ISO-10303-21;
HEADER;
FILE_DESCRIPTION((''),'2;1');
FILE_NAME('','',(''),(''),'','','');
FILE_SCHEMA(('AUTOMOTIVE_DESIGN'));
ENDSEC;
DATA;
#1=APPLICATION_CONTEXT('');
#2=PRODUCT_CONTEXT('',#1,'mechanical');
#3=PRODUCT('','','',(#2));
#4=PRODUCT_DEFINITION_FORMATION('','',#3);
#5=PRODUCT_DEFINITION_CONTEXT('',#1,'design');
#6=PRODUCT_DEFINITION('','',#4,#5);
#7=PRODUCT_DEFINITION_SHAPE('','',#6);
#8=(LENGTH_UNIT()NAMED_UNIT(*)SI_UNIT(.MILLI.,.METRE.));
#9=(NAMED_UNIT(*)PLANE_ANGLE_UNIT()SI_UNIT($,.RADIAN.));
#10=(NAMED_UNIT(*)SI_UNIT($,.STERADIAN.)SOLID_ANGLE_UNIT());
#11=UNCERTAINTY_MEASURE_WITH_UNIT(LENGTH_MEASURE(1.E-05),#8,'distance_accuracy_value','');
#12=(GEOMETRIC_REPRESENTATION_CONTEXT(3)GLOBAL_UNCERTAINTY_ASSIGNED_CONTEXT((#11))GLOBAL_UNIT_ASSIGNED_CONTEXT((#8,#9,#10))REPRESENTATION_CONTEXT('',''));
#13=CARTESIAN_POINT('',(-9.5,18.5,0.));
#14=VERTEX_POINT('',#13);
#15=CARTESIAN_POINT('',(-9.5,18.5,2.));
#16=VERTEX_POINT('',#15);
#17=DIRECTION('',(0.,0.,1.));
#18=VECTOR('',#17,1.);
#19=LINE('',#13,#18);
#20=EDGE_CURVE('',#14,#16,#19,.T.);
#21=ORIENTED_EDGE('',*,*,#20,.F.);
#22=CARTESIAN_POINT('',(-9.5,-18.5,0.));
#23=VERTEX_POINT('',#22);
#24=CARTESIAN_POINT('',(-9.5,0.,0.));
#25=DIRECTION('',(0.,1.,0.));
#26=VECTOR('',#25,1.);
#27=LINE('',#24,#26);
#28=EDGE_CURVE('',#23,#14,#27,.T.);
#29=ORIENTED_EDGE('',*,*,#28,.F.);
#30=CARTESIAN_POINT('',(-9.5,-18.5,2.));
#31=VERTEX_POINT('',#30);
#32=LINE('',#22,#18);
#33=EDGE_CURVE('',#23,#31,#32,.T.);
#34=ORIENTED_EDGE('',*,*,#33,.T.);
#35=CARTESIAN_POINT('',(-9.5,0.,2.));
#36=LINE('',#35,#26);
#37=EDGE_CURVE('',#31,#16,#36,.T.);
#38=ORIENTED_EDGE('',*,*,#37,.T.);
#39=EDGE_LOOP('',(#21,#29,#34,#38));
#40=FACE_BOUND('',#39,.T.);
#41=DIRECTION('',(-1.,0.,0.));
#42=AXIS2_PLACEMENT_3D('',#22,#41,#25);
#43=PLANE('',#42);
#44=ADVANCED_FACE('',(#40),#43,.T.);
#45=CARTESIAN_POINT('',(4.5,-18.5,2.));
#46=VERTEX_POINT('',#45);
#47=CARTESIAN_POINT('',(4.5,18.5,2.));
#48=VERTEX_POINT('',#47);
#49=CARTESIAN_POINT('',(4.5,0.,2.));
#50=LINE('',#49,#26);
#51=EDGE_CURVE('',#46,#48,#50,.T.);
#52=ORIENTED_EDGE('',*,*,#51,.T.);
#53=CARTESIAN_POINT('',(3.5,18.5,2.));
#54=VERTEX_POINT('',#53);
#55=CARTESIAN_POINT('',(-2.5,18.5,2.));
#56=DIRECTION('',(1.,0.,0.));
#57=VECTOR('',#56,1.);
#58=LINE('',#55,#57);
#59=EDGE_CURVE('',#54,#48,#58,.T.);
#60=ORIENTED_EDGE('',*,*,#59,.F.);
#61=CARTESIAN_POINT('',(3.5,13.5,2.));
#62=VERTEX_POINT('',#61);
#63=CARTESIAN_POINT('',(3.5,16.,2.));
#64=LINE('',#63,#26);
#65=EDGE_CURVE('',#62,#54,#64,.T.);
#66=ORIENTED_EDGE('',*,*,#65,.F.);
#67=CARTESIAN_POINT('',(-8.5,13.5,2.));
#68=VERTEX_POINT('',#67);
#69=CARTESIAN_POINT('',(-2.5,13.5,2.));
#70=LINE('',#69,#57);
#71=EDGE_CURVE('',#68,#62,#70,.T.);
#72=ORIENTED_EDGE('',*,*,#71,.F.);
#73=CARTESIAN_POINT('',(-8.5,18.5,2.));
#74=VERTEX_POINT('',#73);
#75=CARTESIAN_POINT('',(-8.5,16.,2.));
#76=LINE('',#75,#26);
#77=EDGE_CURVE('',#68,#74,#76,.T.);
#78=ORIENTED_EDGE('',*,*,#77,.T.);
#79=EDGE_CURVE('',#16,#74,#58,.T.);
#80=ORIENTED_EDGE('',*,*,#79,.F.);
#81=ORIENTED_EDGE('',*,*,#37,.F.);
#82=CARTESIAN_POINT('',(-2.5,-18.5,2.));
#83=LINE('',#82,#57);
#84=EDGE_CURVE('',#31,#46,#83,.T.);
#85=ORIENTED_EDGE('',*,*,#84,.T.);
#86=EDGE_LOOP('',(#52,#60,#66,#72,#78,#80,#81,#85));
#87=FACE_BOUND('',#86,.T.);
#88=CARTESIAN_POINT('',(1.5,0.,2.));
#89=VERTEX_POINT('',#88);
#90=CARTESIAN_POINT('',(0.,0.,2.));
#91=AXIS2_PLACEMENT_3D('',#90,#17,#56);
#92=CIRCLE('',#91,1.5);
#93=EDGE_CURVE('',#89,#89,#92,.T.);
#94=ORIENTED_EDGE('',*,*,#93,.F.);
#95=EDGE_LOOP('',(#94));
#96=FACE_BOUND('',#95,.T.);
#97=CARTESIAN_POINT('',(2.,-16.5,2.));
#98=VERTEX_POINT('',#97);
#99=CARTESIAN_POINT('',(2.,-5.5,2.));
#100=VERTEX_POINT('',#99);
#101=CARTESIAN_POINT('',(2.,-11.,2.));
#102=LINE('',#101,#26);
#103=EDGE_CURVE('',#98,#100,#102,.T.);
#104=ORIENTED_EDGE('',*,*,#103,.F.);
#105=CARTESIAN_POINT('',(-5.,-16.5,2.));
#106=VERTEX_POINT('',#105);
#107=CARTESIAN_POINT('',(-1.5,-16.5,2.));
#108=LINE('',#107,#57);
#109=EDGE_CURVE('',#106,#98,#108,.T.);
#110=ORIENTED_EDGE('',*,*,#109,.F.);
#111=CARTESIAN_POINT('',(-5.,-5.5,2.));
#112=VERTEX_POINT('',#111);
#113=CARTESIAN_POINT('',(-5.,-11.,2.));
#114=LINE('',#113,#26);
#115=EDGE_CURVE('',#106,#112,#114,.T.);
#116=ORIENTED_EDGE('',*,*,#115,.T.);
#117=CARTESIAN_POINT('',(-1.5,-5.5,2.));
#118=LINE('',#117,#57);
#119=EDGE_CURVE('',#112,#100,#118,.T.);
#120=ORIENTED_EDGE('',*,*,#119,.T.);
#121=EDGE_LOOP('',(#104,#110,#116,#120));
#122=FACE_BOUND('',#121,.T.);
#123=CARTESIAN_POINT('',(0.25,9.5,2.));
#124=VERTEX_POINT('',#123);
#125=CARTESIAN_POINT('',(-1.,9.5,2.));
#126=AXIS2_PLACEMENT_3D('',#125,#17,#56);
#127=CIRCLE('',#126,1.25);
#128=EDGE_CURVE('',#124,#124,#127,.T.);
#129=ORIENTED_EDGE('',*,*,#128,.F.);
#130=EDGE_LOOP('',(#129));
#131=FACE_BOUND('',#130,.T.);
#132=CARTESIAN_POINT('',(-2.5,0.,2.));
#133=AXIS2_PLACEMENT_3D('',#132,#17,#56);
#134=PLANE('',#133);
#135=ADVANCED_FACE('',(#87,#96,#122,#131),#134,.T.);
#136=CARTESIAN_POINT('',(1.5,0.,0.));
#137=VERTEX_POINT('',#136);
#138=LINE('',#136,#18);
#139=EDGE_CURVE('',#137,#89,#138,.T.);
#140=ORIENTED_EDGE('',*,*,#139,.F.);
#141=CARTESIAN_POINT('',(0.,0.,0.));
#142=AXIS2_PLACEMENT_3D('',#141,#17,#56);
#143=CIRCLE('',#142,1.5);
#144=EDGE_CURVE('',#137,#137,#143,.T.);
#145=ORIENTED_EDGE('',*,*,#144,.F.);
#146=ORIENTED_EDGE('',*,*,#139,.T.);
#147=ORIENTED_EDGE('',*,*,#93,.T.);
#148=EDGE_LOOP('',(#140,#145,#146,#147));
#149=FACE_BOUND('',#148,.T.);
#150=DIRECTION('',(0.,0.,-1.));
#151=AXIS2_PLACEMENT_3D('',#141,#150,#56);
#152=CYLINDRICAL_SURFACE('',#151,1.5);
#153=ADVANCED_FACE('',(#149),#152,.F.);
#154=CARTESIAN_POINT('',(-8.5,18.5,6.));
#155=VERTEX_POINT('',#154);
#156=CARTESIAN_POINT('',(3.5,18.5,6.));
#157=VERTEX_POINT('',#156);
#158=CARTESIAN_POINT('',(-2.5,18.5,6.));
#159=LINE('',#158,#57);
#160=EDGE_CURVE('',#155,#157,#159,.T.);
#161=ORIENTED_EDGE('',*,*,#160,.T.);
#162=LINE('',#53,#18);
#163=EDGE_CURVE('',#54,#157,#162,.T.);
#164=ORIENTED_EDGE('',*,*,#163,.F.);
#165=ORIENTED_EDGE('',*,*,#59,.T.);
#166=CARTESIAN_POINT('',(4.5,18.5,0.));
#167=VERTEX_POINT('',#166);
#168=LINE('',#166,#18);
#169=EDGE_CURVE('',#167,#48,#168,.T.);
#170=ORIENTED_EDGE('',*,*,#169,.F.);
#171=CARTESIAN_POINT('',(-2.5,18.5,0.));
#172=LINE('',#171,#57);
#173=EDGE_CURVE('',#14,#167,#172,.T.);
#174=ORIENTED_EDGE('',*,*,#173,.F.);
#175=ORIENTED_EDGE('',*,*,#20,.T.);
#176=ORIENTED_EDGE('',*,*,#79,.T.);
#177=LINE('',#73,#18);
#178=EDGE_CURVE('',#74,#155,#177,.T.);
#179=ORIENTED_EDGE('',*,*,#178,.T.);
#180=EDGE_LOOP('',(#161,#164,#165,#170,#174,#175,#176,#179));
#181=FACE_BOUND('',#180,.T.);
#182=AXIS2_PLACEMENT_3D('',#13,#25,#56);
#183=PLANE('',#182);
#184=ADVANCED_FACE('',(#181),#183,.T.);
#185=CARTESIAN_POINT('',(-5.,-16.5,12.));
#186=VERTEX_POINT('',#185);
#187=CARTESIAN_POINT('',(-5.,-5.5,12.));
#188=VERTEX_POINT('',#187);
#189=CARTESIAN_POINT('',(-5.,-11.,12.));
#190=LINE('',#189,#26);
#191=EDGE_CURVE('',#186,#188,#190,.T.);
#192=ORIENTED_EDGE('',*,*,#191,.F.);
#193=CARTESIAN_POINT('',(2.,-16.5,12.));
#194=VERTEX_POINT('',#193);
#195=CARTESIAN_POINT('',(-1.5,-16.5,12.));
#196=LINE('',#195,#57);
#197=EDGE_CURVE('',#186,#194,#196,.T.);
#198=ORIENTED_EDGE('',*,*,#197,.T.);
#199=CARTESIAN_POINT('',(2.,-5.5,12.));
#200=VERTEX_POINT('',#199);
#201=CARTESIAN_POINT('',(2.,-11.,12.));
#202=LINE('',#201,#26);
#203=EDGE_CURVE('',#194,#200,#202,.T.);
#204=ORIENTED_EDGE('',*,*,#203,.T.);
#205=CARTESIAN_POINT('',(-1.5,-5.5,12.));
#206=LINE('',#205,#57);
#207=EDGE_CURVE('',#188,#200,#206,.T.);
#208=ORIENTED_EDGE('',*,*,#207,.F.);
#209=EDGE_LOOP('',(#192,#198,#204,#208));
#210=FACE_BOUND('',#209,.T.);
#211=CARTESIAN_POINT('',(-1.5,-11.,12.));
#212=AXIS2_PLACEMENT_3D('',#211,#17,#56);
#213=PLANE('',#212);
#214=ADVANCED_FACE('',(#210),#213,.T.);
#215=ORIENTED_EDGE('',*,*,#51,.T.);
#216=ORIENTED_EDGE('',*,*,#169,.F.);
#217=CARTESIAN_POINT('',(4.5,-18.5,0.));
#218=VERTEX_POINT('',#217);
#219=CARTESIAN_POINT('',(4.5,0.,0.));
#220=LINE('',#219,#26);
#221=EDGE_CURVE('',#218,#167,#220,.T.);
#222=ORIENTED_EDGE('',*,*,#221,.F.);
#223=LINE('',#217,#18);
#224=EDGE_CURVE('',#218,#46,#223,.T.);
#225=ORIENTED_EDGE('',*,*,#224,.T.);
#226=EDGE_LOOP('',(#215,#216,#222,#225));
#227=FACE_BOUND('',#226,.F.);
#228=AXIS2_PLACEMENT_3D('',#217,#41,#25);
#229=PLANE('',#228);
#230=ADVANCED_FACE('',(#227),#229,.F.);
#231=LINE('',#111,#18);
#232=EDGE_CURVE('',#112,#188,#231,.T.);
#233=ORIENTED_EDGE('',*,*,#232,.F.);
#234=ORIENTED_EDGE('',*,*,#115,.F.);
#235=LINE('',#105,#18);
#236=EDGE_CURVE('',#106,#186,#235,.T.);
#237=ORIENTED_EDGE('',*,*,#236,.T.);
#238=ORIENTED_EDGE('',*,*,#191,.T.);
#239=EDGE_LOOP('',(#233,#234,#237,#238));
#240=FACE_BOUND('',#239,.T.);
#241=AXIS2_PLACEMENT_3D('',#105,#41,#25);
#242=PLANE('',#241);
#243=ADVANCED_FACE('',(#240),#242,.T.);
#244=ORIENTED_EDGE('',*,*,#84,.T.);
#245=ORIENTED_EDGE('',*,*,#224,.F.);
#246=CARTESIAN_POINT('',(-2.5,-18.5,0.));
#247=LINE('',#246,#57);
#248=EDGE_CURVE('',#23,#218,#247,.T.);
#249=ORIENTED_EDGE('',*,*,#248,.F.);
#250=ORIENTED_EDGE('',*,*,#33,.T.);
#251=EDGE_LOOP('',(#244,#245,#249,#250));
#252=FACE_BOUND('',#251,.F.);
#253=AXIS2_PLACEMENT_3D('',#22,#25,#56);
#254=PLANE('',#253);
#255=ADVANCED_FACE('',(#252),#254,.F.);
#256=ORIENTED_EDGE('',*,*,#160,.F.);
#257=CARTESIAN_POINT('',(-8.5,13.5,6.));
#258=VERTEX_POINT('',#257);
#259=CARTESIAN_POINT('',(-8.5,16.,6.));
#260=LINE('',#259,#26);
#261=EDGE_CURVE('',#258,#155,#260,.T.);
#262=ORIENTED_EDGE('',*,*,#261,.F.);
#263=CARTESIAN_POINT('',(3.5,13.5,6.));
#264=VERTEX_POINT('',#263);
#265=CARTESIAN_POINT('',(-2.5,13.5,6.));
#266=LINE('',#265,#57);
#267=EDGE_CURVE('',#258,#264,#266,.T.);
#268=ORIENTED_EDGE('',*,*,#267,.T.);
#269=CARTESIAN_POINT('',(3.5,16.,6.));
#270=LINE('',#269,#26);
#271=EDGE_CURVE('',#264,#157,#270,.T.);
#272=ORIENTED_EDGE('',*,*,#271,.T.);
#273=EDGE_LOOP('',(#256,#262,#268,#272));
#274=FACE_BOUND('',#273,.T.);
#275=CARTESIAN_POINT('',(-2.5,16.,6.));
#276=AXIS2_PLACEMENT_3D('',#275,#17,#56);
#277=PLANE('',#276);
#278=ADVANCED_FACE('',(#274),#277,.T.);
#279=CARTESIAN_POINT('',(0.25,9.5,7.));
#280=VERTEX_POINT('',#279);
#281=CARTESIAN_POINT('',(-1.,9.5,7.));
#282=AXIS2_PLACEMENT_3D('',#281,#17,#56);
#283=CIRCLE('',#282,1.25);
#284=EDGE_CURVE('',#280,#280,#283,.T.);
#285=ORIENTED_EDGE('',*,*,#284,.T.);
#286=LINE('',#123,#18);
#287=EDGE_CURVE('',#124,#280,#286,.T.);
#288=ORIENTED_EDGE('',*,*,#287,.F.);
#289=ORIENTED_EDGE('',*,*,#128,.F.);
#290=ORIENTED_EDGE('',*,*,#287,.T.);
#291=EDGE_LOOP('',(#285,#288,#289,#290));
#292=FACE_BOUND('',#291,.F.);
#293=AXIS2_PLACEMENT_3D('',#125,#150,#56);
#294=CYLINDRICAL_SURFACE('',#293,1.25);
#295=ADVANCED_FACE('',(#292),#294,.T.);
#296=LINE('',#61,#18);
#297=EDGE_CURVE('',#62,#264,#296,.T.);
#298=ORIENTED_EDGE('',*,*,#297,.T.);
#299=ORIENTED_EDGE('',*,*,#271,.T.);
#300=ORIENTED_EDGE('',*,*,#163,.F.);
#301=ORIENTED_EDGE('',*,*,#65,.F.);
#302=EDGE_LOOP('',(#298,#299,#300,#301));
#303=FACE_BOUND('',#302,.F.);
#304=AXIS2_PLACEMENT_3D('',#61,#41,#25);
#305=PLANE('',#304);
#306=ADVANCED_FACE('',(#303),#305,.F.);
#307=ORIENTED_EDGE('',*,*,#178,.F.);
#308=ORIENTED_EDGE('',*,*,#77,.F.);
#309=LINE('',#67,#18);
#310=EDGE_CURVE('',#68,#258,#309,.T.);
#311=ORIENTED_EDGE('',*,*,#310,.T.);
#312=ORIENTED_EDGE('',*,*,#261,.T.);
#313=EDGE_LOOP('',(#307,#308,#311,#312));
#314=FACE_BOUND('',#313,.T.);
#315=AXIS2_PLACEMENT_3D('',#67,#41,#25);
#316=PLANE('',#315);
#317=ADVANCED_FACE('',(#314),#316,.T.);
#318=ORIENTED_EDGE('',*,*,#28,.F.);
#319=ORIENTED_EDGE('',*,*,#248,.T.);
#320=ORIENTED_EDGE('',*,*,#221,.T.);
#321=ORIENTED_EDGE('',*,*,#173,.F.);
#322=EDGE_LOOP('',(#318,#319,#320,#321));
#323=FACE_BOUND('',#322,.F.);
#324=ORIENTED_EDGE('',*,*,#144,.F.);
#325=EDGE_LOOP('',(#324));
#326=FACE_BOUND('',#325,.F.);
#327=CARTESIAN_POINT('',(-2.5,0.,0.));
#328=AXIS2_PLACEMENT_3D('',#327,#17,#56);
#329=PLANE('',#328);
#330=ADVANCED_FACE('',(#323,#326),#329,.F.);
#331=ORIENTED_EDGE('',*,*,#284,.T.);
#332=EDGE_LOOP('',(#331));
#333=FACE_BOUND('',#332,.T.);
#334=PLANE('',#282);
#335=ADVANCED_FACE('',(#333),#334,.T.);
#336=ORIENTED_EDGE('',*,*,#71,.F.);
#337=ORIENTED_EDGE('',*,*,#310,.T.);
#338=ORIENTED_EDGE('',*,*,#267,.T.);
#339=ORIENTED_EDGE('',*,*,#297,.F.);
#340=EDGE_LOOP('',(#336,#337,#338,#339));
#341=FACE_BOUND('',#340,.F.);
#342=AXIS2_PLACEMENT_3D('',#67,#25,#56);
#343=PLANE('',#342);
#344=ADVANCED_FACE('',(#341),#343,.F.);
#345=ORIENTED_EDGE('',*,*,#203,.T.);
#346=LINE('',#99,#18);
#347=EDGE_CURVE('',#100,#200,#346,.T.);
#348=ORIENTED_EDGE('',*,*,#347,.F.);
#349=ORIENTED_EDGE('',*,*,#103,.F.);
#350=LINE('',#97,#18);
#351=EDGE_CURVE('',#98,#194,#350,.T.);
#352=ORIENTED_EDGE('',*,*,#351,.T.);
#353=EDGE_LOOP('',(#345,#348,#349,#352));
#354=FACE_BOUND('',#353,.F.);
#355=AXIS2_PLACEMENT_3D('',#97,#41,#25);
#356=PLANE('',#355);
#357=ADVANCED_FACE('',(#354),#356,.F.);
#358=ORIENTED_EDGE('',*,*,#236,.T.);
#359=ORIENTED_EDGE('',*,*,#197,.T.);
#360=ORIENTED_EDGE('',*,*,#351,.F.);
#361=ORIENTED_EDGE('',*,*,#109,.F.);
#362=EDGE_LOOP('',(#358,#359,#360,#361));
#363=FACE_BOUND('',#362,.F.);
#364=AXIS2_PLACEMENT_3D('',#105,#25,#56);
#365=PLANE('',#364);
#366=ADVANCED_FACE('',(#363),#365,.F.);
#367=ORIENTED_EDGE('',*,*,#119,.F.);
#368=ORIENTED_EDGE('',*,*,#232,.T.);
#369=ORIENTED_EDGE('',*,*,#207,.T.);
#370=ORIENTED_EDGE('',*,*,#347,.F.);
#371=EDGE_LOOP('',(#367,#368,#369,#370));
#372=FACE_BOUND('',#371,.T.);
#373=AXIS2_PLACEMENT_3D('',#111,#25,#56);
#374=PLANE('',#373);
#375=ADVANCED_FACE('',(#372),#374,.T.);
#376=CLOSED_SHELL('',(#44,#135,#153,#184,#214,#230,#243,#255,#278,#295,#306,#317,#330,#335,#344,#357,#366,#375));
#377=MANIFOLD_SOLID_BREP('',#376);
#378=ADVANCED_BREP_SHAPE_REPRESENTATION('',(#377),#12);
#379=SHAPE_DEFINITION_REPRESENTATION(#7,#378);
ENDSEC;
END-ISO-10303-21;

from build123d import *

# Parameters (mm, degrees)
F0_W     = 14
F0_H     = 37
F0_R     = 1.5
F1_DEPTH = 2
F2_W     = 12
F2_H     = 5
F3_DEPTH = 4
F4_R     = 1.25
F5_DEPTH = 5
F6_W     = 7
F6_H     = 11
F7_DEPTH = 10


with BuildPart() as f1:
    # F0 (on Top) → F1 (new body)
    with BuildSketch(Plane.XY):
        with Locations((-2.5, 0)):
            Rectangle(F0_W, F0_H)
        Circle(F0_R, mode=Mode.SUBTRACT)
    extrude(amount=F1_DEPTH)

    # F2 (on face) → F3 (join)
    with BuildSketch(Plane.XY.offset(2)):
        with Locations((-2.5, 16)):
            Rectangle(F2_W, F2_H)
    extrude(amount=F3_DEPTH)

    # F4 (on face) → F5 (join)
    with BuildSketch(Plane.XY.offset(2)):
        with Locations((-1, 9.5)):
            Circle(F4_R)
    extrude(amount=F5_DEPTH)

    # F6 (on face) → F7 (join)
    with BuildSketch(Plane.XY.offset(2)):
        with Locations((-1.5, -11)):
            Rectangle(F6_W, F6_H)
    extrude(amount=F7_DEPTH)


solid = f1.part
